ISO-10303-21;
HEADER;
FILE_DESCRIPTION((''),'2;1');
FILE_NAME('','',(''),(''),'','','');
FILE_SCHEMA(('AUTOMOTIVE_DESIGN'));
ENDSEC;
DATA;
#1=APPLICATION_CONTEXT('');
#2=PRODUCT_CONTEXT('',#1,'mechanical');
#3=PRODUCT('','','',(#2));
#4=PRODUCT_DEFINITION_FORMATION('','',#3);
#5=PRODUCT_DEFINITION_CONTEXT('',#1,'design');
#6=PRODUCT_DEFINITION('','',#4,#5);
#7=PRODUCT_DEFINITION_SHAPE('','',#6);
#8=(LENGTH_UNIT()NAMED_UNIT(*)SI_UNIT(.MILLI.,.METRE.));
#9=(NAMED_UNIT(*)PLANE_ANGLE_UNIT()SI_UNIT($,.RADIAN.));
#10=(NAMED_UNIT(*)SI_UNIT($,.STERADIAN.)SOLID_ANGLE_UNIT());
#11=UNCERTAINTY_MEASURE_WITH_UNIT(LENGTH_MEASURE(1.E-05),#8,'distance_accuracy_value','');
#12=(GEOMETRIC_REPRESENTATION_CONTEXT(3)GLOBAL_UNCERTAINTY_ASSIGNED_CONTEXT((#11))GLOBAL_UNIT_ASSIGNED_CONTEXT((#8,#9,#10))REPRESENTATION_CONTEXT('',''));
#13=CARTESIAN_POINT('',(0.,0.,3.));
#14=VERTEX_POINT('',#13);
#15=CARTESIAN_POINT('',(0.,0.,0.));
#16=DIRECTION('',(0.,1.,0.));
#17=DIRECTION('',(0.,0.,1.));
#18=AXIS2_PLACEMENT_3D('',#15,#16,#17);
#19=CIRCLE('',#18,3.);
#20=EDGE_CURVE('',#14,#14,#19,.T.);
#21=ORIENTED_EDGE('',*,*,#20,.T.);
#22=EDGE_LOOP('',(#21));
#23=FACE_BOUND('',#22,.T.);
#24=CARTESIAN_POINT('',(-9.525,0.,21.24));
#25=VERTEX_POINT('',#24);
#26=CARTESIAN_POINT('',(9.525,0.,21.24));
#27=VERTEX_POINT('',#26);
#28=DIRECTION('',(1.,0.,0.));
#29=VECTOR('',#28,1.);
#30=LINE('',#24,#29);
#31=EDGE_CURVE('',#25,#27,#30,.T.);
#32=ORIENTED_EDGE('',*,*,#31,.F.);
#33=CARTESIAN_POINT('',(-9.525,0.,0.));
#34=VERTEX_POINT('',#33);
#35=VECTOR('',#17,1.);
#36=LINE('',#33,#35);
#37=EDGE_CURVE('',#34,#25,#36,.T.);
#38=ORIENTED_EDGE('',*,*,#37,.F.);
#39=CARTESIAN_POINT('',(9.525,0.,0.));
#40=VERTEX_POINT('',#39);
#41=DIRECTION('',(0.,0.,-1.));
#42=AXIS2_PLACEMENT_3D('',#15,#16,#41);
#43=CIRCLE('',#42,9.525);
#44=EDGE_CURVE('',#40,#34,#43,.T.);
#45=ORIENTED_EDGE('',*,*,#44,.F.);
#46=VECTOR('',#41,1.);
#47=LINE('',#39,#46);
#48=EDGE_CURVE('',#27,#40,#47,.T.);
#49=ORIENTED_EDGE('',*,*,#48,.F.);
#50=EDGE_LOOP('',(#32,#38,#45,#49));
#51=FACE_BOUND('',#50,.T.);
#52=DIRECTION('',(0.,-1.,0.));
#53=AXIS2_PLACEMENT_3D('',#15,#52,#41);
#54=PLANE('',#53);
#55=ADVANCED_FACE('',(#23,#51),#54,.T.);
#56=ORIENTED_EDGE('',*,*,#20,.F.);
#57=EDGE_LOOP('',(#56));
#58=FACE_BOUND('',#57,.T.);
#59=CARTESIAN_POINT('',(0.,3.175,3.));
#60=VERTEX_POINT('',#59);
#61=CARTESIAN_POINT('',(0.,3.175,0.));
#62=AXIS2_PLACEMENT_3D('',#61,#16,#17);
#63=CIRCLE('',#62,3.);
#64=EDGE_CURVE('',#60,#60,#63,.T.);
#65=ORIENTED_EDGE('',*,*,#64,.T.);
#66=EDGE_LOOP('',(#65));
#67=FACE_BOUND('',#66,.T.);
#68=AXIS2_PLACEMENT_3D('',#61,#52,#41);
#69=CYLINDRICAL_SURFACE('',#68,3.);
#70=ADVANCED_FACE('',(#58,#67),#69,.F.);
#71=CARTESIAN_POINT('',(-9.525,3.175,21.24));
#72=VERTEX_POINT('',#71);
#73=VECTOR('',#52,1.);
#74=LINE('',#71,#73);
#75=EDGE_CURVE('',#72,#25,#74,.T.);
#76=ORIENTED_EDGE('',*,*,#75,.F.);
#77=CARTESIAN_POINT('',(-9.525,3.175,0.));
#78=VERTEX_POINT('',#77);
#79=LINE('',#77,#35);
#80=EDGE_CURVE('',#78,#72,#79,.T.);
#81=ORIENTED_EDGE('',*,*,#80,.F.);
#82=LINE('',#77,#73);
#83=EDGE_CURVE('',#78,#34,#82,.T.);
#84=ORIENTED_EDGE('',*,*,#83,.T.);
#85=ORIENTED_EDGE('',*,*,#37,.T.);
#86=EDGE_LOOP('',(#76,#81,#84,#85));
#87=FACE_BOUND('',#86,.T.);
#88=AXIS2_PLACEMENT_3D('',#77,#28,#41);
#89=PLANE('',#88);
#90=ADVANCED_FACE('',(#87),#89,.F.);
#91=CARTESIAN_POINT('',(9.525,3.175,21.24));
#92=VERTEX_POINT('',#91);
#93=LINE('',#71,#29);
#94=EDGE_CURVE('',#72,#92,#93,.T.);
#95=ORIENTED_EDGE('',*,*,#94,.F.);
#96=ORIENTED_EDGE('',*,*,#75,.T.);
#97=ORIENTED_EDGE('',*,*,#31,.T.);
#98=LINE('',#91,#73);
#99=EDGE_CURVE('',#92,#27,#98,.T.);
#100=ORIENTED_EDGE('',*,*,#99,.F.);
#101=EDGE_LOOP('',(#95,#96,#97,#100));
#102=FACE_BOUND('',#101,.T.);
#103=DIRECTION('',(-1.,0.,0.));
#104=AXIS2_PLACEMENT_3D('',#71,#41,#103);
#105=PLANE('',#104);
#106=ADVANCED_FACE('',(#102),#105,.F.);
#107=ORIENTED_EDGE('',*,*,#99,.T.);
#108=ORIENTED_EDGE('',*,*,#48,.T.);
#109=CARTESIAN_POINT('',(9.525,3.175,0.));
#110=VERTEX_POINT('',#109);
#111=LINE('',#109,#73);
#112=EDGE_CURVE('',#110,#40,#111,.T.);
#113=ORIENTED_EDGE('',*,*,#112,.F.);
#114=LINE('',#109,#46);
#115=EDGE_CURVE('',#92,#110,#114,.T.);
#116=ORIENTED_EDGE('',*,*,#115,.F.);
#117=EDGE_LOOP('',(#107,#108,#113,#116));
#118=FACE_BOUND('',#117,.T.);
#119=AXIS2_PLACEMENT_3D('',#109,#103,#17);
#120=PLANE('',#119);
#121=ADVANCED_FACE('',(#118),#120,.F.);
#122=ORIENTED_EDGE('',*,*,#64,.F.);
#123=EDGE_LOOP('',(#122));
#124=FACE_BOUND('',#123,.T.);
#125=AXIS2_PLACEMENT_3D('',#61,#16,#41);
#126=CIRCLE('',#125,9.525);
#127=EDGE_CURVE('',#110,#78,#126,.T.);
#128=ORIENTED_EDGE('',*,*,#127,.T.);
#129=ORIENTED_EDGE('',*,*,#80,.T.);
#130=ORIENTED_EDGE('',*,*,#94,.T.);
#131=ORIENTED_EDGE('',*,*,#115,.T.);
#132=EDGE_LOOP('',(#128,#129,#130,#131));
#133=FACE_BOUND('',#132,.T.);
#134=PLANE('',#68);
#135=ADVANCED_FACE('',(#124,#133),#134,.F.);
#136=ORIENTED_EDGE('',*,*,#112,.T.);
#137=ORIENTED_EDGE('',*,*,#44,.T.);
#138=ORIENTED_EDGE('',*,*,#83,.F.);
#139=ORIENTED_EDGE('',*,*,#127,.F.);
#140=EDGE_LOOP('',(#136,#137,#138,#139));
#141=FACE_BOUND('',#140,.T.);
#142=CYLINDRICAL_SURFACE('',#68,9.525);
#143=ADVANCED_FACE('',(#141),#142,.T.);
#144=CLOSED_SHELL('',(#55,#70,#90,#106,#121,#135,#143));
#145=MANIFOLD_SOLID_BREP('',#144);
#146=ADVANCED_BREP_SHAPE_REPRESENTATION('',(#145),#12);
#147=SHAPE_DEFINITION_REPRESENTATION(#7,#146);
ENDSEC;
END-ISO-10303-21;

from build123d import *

# Parameters (mm, degrees)
SKETCH1_R           = 3
BOSS_EXTRUDE1_DEPTH = 3.175


with BuildPart() as part:
    # Sketch1 → Boss-Extrude1 (new body)
    with BuildSketch(Plane(origin=(0, 0, 0), x_dir=(1, 0, 0), z_dir=(0, 1, 0))):
        with BuildLine():
            Line((-9.525, 0), (-9.525, -21.24))
            Line((-9.525, -21.24), (9.525, -21.24))
            Line((9.525, -21.24), (9.525, 0))
            ThreePointArc((9.525, 0), (0, 9.525), (-9.525, 0))
        make_face()
        Circle(SKETCH1_R, mode=Mode.SUBTRACT)
    extrude(amount=BOSS_EXTRUDE1_DEPTH)


solid = part.part
